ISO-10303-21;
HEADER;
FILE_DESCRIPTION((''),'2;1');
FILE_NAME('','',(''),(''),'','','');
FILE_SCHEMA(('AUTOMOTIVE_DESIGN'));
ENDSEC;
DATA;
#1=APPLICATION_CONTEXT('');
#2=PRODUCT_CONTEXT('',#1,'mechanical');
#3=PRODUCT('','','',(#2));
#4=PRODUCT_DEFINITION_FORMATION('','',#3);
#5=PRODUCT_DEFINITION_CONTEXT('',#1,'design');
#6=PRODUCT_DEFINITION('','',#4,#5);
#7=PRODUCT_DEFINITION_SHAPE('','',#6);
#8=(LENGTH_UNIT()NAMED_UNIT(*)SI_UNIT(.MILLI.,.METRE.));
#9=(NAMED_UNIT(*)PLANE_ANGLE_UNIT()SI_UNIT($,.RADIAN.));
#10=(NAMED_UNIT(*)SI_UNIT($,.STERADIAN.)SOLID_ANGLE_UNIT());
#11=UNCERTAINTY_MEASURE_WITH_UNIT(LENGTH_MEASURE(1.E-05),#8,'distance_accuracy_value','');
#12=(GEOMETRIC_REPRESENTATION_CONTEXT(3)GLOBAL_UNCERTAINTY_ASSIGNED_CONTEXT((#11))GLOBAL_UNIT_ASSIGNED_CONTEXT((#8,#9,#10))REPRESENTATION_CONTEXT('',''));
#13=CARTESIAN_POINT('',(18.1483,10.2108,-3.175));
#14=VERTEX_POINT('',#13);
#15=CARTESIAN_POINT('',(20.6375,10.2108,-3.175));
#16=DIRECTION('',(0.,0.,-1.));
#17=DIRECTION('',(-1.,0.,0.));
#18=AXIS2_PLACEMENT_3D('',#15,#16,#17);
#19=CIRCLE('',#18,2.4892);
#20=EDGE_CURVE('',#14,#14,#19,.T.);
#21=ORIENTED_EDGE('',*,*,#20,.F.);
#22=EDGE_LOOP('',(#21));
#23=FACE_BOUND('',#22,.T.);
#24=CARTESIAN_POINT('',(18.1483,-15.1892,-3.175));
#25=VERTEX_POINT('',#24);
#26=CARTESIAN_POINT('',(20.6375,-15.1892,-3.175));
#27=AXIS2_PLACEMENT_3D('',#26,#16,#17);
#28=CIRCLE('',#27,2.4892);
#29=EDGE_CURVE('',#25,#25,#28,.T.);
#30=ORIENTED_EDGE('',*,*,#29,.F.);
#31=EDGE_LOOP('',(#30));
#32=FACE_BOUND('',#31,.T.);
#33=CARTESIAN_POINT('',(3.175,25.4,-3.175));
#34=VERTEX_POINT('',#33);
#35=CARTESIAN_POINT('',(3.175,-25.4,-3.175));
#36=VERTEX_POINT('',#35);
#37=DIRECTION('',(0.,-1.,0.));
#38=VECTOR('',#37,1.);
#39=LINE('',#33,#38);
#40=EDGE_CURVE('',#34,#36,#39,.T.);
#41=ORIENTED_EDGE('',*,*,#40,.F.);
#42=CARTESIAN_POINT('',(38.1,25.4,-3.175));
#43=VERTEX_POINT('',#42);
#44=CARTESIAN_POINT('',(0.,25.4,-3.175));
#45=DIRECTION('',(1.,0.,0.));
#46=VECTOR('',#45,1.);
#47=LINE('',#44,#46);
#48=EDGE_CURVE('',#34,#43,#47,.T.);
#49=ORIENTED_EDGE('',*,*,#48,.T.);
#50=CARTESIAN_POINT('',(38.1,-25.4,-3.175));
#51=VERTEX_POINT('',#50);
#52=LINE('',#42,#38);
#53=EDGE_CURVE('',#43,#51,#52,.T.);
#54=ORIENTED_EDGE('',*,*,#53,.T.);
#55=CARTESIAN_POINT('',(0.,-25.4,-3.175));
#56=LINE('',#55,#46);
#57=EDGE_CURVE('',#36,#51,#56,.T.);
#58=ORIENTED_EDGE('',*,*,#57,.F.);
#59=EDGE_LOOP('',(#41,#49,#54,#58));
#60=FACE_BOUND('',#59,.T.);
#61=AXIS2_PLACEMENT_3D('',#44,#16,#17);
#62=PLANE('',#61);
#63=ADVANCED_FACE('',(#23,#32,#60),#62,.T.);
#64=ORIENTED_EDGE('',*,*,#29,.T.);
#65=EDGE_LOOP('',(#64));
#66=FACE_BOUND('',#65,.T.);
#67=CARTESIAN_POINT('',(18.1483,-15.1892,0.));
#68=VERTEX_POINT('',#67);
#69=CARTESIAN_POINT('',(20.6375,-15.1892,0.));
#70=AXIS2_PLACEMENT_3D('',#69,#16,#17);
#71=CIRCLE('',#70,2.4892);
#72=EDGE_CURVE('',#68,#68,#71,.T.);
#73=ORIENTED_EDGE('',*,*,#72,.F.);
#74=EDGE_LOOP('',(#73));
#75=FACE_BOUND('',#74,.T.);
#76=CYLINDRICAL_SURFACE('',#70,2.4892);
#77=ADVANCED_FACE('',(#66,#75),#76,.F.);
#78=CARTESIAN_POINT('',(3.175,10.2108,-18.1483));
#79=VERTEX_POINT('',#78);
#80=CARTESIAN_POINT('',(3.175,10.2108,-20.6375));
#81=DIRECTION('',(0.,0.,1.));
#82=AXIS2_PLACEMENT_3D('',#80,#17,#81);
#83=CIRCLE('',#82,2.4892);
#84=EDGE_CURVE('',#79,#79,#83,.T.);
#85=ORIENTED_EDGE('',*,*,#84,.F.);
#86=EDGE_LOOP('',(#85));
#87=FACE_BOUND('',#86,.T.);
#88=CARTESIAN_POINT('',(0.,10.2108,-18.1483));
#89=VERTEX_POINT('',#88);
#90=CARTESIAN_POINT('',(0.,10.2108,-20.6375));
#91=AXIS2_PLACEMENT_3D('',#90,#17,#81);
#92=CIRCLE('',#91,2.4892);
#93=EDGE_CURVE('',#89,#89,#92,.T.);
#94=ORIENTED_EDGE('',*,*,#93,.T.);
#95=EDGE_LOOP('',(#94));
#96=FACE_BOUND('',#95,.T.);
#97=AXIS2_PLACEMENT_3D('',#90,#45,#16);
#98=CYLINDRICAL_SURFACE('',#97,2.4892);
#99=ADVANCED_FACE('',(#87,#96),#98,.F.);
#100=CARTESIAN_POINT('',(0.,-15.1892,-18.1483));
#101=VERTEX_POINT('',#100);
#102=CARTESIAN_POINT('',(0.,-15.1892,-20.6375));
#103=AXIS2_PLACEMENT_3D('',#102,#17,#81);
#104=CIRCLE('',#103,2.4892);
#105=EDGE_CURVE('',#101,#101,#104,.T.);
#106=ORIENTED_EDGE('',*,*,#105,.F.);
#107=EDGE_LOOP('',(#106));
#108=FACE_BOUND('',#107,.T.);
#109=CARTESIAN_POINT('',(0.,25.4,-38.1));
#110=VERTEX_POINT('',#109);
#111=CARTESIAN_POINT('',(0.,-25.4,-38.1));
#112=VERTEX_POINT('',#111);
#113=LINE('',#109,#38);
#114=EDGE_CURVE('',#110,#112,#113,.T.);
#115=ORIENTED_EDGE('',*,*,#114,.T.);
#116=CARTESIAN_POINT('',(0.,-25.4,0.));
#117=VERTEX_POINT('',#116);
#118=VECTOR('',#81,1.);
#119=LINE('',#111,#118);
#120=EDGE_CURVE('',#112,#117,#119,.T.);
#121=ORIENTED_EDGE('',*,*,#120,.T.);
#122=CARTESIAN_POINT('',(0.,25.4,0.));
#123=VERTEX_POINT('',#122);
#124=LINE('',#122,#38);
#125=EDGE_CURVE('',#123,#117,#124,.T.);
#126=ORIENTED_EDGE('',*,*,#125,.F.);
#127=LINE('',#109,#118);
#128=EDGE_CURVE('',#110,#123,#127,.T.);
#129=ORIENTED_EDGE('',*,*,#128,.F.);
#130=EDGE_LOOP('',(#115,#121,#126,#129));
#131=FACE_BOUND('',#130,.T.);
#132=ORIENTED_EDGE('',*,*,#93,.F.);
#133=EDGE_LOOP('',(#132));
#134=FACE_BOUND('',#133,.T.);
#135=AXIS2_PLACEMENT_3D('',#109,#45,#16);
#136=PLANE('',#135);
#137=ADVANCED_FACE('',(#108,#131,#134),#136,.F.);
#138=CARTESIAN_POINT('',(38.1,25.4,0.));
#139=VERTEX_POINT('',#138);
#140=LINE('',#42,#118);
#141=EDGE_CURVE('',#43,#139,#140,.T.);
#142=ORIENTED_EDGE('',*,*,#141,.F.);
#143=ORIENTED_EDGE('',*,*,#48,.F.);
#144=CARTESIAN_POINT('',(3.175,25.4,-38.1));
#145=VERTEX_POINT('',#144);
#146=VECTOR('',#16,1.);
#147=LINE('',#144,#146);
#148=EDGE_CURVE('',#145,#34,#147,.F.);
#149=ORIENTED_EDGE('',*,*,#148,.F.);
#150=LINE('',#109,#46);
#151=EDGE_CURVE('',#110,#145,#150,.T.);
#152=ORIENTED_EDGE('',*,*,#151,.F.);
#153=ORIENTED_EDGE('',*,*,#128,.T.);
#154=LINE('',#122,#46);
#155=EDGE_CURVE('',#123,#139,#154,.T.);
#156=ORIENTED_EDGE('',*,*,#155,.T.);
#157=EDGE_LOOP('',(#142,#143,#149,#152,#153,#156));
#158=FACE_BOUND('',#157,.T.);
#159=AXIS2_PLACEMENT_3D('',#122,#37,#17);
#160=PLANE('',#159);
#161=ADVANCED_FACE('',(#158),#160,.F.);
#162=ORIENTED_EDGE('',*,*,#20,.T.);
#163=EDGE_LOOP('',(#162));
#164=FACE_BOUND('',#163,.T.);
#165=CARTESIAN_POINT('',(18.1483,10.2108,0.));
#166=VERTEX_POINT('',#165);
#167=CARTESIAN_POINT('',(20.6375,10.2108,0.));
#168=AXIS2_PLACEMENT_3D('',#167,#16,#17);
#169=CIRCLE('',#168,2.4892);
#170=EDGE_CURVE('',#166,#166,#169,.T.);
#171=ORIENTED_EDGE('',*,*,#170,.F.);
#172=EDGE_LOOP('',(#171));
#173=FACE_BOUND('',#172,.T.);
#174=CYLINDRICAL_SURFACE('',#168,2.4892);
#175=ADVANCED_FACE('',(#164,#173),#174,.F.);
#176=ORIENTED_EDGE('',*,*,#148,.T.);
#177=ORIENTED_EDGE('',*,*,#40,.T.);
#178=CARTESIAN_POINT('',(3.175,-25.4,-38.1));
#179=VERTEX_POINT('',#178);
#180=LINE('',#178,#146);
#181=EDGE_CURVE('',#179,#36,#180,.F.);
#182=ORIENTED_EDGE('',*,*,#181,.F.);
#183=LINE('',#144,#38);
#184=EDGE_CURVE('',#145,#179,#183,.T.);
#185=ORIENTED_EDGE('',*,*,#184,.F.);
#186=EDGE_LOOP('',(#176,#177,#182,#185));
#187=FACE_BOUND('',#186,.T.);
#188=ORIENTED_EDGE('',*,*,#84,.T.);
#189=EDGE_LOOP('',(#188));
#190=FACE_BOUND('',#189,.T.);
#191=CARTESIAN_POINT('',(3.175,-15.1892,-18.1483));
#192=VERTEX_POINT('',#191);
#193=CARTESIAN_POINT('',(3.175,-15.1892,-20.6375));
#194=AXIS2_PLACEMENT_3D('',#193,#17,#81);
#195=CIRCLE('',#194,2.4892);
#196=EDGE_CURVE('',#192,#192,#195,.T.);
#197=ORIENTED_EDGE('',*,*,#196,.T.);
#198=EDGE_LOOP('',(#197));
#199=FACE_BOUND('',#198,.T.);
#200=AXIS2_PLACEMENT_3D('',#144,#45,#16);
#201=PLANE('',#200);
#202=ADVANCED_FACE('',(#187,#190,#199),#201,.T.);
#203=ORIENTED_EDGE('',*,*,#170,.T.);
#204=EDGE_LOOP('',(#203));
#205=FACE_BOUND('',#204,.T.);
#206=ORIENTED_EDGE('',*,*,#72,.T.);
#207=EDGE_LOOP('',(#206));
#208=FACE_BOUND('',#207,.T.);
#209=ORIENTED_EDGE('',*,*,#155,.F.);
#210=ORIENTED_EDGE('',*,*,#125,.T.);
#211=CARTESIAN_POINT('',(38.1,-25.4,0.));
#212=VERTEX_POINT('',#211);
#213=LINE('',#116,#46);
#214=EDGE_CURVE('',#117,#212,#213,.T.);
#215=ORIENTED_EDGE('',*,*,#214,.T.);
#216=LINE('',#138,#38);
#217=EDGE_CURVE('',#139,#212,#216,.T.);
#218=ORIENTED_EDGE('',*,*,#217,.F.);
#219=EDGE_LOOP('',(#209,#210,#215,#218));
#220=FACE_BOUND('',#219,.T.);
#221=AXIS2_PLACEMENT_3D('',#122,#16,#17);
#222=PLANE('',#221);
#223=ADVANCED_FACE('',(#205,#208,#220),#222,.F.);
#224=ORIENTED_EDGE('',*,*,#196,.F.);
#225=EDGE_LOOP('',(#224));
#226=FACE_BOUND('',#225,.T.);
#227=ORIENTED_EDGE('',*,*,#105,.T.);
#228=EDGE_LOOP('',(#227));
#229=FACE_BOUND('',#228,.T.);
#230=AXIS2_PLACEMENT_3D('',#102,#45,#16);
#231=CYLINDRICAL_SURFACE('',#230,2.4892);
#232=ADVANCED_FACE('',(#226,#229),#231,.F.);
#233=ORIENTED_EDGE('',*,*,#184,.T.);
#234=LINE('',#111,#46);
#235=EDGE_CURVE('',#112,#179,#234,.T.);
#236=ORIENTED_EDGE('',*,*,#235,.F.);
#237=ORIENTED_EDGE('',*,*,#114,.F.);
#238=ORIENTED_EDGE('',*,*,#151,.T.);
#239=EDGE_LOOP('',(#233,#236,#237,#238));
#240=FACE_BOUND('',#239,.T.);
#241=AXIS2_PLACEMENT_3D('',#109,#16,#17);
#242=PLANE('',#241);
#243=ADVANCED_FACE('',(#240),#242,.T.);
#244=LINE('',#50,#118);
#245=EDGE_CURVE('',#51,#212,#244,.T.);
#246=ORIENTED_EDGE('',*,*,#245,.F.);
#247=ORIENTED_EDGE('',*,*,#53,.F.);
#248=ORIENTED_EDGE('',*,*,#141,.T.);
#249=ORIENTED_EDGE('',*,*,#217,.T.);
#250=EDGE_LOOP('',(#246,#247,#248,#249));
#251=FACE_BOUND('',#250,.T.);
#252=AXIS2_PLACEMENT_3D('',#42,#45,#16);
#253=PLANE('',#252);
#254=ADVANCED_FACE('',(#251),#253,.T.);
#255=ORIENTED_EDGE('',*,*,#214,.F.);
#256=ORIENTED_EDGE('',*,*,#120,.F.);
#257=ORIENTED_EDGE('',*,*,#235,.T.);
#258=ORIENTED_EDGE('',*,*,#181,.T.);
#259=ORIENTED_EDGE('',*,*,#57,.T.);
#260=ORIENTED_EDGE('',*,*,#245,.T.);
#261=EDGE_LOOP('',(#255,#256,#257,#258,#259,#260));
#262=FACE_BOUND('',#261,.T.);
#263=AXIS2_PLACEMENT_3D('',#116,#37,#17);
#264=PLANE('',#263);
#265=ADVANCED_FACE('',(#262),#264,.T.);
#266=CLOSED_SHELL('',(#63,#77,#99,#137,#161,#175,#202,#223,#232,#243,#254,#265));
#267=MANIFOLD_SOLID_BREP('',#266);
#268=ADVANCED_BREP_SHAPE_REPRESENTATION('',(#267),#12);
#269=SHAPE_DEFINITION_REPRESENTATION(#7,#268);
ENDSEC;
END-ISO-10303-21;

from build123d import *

# Parameters (mm, degrees)
EXTRUDE_THIN1_DEPTH = 25.4
SKETCH2_R           = 2.4892
CUT_EXTRUDE1_DEPTH  = 4.175


with BuildPart() as part:
    # Sketch1 → Extrude-Thin1 (new body, symmetric)
    with BuildSketch(Plane(origin=(0, 0, 0), x_dir=(1, 0, 0), z_dir=(0, 1, 0))):
        Polygon((0, 38.1), (0, 0), (38.1, 0), (38.1, 3.175), (3.175, 3.175), (3.175, 38.1), align=None)
    extrude(amount=EXTRUDE_THIN1_DEPTH, both=True)

    # Sketch2 → Cut-Extrude1 (cut, through all)
    with BuildSketch(Plane(origin=(0, 0, -3.175), x_dir=(-1, 0, 0), z_dir=(0, 0, -1))):
        with Locations((-20.6375, 10.2108)):
            Circle(SKETCH2_R)
        with Locations((-20.6375, -15.1892)):
            Circle(SKETCH2_R)
    cut_extrude1 = extrude(amount=-CUT_EXTRUDE1_DEPTH, mode=Mode.SUBTRACT)

    # Mirror1: Cut-Extrude1 across plane
    add(cut_extrude1.mirror(Plane(origin=(0, 0, 0), x_dir=(-0.707106781, 0, 0.707106781), z_dir=(-0.707106781, 0, -0.707106781))), mode=Mode.SUBTRACT)


solid = part.part
